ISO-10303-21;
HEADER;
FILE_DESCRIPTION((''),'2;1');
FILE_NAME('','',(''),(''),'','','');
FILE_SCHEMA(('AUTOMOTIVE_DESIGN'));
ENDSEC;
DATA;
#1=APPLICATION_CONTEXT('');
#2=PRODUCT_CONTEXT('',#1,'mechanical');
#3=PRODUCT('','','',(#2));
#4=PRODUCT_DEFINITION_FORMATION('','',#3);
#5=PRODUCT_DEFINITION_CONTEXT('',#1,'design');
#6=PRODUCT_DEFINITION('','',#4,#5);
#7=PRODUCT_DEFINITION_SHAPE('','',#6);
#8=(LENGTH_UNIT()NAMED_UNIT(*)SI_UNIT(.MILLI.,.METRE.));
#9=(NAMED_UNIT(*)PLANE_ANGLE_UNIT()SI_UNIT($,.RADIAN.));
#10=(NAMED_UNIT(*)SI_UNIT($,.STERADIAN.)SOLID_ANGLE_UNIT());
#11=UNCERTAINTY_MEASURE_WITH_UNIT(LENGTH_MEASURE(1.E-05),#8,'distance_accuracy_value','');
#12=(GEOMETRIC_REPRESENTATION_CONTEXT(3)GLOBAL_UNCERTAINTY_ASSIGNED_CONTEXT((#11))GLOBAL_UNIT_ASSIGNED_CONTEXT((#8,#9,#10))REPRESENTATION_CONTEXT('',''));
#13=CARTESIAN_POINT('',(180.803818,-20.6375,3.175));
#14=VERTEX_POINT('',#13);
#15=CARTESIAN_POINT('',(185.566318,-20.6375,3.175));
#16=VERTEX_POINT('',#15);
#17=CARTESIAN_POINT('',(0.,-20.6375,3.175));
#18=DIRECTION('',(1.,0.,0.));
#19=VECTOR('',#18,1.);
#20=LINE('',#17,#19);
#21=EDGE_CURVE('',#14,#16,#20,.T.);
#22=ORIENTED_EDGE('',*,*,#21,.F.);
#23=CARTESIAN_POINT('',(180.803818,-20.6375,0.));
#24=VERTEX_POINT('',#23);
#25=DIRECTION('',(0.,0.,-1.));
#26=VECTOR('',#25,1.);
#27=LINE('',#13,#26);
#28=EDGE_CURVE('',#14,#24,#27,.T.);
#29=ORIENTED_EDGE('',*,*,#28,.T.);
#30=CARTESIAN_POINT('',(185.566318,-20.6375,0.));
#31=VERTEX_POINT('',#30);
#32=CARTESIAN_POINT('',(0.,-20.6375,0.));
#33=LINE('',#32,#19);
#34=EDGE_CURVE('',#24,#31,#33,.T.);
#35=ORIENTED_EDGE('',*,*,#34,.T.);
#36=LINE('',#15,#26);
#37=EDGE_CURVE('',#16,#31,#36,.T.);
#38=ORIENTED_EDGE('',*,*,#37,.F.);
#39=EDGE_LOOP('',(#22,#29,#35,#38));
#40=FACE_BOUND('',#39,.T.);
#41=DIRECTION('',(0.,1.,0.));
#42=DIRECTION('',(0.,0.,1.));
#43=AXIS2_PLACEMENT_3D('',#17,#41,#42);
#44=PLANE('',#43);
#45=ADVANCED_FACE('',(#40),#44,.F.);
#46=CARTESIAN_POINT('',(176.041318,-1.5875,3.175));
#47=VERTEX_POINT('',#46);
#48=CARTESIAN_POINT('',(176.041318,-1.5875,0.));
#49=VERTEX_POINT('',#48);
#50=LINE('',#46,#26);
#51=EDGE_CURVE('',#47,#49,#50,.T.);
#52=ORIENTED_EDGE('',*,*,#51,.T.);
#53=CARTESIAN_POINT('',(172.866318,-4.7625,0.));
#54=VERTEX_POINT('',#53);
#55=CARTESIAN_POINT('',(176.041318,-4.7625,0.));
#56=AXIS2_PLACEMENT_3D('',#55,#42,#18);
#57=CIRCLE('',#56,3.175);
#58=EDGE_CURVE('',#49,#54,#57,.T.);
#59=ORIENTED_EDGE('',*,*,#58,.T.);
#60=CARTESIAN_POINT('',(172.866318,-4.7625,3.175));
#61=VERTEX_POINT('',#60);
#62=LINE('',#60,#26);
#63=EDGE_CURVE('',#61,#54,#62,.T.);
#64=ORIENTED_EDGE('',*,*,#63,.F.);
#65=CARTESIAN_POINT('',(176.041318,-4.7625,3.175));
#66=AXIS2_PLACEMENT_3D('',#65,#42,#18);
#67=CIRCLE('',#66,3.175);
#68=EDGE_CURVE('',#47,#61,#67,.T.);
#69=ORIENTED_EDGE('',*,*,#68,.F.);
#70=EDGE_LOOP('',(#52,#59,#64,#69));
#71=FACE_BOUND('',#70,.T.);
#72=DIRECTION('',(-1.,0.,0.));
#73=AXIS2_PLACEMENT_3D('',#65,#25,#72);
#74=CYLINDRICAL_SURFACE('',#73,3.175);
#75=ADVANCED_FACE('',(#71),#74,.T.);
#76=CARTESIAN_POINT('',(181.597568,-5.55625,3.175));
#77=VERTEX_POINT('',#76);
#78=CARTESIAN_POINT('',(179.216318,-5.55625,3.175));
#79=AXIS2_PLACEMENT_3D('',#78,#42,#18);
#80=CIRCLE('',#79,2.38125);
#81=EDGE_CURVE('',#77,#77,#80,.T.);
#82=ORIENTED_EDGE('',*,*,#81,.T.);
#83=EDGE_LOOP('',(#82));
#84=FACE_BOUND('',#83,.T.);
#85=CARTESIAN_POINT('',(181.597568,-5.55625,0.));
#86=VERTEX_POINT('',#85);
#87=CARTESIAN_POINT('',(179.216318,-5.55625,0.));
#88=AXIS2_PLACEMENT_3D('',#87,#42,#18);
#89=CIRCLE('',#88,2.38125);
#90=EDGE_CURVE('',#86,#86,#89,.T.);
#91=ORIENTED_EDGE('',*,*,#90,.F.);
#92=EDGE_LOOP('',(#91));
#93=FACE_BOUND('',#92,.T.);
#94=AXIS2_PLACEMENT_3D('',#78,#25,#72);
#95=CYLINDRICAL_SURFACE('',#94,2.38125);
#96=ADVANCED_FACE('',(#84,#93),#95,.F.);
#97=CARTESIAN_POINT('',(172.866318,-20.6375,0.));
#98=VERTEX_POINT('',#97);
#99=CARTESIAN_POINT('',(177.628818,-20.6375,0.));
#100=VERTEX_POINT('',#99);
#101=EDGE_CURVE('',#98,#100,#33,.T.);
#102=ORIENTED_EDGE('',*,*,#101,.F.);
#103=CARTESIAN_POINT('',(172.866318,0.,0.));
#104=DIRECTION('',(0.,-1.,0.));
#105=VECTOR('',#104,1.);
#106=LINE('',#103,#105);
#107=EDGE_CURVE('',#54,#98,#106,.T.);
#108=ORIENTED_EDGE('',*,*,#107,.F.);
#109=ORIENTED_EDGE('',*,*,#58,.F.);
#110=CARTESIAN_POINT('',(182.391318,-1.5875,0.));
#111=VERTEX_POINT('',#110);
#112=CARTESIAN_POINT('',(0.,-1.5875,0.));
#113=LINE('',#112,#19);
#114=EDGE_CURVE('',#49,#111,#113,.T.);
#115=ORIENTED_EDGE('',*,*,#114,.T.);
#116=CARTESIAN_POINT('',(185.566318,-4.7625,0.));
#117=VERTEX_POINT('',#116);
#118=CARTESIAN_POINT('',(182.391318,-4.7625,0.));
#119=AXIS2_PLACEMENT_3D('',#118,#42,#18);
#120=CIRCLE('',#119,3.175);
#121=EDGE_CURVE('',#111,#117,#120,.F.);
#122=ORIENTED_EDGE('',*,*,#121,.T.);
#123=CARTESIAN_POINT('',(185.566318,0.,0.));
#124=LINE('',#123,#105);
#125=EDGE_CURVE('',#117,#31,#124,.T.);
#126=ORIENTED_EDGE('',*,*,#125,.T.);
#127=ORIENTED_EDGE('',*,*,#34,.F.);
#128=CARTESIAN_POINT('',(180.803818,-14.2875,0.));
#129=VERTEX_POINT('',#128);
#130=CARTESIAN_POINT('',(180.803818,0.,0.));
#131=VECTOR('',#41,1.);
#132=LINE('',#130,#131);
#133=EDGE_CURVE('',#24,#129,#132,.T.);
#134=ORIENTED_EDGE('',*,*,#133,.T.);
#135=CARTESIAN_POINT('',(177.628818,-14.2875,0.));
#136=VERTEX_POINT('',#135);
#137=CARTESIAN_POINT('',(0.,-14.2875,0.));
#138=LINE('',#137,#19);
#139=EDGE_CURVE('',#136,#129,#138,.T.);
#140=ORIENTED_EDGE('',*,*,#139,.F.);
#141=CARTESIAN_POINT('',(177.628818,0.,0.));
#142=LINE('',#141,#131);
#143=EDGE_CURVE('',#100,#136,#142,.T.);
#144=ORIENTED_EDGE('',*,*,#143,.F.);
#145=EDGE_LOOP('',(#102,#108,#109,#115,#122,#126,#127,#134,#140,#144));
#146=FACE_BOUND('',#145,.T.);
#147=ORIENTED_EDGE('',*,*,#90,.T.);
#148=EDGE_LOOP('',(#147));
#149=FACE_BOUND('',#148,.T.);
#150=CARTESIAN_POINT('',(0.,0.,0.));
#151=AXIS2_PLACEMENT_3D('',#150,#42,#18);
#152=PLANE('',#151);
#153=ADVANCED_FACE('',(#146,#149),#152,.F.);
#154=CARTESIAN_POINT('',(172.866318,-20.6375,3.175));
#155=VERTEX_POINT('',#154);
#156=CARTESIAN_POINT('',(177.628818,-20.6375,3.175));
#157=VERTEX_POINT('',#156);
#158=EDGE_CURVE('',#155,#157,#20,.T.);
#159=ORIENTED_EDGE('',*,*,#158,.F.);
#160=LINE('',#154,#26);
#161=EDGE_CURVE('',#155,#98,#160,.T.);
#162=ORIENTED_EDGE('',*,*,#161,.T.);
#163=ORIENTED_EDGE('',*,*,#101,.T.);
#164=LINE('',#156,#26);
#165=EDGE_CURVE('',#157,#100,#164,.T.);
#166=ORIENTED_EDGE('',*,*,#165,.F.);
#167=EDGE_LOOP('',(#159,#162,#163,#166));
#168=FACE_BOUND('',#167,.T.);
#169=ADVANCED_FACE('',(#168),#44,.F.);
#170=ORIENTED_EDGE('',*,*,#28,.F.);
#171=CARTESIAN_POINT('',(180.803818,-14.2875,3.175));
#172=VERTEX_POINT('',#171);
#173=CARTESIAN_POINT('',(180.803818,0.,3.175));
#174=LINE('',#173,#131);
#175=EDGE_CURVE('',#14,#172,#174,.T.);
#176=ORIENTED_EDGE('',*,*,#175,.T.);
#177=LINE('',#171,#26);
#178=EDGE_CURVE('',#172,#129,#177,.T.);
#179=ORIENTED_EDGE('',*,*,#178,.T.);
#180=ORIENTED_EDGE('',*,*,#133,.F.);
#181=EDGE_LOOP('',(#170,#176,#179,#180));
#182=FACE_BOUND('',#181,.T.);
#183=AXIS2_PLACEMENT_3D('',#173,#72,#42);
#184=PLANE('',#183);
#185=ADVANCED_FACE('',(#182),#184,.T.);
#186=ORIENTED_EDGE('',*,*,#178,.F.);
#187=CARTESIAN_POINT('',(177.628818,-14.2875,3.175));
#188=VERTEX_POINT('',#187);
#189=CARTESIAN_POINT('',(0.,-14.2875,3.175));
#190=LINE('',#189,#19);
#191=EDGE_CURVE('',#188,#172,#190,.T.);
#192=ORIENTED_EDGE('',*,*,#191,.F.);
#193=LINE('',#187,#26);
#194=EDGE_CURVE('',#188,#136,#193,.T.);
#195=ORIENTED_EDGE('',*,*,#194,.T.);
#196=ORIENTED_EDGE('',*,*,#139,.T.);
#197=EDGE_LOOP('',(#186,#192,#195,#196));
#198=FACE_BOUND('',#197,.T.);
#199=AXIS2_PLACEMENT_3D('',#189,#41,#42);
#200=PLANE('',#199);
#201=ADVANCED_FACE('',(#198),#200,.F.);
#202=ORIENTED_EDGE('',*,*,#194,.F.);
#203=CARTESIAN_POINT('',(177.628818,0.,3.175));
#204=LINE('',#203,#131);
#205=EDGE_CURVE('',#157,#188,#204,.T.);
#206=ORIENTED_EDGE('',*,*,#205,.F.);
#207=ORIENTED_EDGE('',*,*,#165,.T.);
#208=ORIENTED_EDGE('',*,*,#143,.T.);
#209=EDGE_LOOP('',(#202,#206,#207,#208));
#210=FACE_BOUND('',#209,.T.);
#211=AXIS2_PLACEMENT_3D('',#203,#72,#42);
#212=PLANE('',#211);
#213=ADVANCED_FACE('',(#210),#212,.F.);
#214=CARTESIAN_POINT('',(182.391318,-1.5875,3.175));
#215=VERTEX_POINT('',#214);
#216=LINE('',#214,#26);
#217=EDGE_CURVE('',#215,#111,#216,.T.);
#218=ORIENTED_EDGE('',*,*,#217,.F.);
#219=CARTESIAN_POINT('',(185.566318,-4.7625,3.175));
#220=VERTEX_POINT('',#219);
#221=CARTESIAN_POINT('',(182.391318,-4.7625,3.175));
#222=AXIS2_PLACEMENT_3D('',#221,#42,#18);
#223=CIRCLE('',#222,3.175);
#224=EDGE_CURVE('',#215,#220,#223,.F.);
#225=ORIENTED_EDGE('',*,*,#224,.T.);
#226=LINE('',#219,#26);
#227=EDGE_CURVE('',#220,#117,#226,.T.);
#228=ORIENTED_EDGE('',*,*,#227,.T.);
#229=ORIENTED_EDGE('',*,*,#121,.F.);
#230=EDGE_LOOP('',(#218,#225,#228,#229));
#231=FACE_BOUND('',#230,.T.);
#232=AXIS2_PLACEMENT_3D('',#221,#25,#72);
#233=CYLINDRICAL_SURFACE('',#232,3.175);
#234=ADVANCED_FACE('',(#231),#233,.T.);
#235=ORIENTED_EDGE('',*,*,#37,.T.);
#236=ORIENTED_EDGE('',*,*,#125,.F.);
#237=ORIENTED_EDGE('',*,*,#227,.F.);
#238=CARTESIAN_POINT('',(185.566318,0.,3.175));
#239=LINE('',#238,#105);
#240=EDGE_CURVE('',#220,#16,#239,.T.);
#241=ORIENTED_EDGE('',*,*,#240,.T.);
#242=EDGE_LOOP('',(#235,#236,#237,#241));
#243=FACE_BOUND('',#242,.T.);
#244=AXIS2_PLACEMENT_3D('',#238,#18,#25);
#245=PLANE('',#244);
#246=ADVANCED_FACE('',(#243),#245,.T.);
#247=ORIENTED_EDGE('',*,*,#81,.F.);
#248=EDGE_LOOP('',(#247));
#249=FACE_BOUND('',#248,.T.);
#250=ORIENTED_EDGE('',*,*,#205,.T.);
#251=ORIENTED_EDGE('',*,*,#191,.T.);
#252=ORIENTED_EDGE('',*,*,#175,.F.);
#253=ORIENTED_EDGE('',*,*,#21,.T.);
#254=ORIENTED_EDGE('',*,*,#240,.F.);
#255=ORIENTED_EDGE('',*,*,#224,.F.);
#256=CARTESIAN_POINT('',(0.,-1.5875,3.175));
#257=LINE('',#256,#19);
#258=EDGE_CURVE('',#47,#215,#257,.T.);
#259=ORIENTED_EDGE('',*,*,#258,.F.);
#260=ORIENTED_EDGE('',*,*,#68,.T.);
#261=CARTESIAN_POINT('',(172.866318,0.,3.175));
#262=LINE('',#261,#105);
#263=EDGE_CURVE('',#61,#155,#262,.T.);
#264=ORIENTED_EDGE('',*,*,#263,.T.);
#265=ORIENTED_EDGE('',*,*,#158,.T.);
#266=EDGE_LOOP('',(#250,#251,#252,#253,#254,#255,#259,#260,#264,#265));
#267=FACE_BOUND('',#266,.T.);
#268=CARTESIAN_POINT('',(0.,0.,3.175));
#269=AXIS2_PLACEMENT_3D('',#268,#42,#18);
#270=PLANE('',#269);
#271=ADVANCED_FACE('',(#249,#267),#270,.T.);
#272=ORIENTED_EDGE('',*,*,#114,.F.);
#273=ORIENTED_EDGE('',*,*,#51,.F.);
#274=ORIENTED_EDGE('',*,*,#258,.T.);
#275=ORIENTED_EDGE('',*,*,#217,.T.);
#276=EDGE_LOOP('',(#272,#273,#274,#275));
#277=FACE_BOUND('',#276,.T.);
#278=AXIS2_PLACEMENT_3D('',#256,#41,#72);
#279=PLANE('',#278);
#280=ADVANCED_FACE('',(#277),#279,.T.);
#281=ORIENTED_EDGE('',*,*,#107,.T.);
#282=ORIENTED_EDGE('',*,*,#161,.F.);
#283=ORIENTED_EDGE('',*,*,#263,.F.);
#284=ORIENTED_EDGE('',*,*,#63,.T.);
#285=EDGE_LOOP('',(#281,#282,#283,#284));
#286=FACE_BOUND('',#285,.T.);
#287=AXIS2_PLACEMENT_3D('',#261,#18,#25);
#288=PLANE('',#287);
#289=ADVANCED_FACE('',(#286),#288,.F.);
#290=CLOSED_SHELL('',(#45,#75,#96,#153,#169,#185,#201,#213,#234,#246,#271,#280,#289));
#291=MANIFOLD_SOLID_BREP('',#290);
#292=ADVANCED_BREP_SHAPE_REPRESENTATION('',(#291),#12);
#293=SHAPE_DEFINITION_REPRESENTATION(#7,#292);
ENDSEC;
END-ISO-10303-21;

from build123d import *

# Parameters (mm, degrees)
SKETCH1_R           = 2.38125
BOSS_EXTRUDE1_DEPTH = 3.175


with BuildPart() as part:
    # Sketch1 → Boss-Extrude1 (new body)
    with BuildSketch(Plane.XY):
        with BuildLine():
            Line((182.391318128, -1.5875), (176.041318128, -1.5875))
            ThreePointArc((176.041318128, -1.5875), (173.796254098, -2.51743597), (172.866318128, -4.7625))
            Line((172.866318128, -4.7625), (172.866318128, -20.6375))
            Line((172.866318128, -20.6375), (177.628818128, -20.6375))
            Line((177.628818128, -20.6375), (177.628818128, -14.2875))
            Line((177.628818128, -14.2875), (180.803818128, -14.2875))
            Line((180.803818128, -14.2875), (180.803818128, -20.6375))
            Line((180.803818128, -20.6375), (185.566318128, -20.6375))
            Line((185.566318128, -20.6375), (185.566318128, -4.7625))
            ThreePointArc((185.566318128, -4.7625), (184.636382159, -2.51743597), (182.391318128, -1.5875))
        make_face()
        with Locations((179.216318128, -5.55625)):
            Circle(SKETCH1_R, mode=Mode.SUBTRACT)
    extrude(amount=BOSS_EXTRUDE1_DEPTH)


solid = part.part
